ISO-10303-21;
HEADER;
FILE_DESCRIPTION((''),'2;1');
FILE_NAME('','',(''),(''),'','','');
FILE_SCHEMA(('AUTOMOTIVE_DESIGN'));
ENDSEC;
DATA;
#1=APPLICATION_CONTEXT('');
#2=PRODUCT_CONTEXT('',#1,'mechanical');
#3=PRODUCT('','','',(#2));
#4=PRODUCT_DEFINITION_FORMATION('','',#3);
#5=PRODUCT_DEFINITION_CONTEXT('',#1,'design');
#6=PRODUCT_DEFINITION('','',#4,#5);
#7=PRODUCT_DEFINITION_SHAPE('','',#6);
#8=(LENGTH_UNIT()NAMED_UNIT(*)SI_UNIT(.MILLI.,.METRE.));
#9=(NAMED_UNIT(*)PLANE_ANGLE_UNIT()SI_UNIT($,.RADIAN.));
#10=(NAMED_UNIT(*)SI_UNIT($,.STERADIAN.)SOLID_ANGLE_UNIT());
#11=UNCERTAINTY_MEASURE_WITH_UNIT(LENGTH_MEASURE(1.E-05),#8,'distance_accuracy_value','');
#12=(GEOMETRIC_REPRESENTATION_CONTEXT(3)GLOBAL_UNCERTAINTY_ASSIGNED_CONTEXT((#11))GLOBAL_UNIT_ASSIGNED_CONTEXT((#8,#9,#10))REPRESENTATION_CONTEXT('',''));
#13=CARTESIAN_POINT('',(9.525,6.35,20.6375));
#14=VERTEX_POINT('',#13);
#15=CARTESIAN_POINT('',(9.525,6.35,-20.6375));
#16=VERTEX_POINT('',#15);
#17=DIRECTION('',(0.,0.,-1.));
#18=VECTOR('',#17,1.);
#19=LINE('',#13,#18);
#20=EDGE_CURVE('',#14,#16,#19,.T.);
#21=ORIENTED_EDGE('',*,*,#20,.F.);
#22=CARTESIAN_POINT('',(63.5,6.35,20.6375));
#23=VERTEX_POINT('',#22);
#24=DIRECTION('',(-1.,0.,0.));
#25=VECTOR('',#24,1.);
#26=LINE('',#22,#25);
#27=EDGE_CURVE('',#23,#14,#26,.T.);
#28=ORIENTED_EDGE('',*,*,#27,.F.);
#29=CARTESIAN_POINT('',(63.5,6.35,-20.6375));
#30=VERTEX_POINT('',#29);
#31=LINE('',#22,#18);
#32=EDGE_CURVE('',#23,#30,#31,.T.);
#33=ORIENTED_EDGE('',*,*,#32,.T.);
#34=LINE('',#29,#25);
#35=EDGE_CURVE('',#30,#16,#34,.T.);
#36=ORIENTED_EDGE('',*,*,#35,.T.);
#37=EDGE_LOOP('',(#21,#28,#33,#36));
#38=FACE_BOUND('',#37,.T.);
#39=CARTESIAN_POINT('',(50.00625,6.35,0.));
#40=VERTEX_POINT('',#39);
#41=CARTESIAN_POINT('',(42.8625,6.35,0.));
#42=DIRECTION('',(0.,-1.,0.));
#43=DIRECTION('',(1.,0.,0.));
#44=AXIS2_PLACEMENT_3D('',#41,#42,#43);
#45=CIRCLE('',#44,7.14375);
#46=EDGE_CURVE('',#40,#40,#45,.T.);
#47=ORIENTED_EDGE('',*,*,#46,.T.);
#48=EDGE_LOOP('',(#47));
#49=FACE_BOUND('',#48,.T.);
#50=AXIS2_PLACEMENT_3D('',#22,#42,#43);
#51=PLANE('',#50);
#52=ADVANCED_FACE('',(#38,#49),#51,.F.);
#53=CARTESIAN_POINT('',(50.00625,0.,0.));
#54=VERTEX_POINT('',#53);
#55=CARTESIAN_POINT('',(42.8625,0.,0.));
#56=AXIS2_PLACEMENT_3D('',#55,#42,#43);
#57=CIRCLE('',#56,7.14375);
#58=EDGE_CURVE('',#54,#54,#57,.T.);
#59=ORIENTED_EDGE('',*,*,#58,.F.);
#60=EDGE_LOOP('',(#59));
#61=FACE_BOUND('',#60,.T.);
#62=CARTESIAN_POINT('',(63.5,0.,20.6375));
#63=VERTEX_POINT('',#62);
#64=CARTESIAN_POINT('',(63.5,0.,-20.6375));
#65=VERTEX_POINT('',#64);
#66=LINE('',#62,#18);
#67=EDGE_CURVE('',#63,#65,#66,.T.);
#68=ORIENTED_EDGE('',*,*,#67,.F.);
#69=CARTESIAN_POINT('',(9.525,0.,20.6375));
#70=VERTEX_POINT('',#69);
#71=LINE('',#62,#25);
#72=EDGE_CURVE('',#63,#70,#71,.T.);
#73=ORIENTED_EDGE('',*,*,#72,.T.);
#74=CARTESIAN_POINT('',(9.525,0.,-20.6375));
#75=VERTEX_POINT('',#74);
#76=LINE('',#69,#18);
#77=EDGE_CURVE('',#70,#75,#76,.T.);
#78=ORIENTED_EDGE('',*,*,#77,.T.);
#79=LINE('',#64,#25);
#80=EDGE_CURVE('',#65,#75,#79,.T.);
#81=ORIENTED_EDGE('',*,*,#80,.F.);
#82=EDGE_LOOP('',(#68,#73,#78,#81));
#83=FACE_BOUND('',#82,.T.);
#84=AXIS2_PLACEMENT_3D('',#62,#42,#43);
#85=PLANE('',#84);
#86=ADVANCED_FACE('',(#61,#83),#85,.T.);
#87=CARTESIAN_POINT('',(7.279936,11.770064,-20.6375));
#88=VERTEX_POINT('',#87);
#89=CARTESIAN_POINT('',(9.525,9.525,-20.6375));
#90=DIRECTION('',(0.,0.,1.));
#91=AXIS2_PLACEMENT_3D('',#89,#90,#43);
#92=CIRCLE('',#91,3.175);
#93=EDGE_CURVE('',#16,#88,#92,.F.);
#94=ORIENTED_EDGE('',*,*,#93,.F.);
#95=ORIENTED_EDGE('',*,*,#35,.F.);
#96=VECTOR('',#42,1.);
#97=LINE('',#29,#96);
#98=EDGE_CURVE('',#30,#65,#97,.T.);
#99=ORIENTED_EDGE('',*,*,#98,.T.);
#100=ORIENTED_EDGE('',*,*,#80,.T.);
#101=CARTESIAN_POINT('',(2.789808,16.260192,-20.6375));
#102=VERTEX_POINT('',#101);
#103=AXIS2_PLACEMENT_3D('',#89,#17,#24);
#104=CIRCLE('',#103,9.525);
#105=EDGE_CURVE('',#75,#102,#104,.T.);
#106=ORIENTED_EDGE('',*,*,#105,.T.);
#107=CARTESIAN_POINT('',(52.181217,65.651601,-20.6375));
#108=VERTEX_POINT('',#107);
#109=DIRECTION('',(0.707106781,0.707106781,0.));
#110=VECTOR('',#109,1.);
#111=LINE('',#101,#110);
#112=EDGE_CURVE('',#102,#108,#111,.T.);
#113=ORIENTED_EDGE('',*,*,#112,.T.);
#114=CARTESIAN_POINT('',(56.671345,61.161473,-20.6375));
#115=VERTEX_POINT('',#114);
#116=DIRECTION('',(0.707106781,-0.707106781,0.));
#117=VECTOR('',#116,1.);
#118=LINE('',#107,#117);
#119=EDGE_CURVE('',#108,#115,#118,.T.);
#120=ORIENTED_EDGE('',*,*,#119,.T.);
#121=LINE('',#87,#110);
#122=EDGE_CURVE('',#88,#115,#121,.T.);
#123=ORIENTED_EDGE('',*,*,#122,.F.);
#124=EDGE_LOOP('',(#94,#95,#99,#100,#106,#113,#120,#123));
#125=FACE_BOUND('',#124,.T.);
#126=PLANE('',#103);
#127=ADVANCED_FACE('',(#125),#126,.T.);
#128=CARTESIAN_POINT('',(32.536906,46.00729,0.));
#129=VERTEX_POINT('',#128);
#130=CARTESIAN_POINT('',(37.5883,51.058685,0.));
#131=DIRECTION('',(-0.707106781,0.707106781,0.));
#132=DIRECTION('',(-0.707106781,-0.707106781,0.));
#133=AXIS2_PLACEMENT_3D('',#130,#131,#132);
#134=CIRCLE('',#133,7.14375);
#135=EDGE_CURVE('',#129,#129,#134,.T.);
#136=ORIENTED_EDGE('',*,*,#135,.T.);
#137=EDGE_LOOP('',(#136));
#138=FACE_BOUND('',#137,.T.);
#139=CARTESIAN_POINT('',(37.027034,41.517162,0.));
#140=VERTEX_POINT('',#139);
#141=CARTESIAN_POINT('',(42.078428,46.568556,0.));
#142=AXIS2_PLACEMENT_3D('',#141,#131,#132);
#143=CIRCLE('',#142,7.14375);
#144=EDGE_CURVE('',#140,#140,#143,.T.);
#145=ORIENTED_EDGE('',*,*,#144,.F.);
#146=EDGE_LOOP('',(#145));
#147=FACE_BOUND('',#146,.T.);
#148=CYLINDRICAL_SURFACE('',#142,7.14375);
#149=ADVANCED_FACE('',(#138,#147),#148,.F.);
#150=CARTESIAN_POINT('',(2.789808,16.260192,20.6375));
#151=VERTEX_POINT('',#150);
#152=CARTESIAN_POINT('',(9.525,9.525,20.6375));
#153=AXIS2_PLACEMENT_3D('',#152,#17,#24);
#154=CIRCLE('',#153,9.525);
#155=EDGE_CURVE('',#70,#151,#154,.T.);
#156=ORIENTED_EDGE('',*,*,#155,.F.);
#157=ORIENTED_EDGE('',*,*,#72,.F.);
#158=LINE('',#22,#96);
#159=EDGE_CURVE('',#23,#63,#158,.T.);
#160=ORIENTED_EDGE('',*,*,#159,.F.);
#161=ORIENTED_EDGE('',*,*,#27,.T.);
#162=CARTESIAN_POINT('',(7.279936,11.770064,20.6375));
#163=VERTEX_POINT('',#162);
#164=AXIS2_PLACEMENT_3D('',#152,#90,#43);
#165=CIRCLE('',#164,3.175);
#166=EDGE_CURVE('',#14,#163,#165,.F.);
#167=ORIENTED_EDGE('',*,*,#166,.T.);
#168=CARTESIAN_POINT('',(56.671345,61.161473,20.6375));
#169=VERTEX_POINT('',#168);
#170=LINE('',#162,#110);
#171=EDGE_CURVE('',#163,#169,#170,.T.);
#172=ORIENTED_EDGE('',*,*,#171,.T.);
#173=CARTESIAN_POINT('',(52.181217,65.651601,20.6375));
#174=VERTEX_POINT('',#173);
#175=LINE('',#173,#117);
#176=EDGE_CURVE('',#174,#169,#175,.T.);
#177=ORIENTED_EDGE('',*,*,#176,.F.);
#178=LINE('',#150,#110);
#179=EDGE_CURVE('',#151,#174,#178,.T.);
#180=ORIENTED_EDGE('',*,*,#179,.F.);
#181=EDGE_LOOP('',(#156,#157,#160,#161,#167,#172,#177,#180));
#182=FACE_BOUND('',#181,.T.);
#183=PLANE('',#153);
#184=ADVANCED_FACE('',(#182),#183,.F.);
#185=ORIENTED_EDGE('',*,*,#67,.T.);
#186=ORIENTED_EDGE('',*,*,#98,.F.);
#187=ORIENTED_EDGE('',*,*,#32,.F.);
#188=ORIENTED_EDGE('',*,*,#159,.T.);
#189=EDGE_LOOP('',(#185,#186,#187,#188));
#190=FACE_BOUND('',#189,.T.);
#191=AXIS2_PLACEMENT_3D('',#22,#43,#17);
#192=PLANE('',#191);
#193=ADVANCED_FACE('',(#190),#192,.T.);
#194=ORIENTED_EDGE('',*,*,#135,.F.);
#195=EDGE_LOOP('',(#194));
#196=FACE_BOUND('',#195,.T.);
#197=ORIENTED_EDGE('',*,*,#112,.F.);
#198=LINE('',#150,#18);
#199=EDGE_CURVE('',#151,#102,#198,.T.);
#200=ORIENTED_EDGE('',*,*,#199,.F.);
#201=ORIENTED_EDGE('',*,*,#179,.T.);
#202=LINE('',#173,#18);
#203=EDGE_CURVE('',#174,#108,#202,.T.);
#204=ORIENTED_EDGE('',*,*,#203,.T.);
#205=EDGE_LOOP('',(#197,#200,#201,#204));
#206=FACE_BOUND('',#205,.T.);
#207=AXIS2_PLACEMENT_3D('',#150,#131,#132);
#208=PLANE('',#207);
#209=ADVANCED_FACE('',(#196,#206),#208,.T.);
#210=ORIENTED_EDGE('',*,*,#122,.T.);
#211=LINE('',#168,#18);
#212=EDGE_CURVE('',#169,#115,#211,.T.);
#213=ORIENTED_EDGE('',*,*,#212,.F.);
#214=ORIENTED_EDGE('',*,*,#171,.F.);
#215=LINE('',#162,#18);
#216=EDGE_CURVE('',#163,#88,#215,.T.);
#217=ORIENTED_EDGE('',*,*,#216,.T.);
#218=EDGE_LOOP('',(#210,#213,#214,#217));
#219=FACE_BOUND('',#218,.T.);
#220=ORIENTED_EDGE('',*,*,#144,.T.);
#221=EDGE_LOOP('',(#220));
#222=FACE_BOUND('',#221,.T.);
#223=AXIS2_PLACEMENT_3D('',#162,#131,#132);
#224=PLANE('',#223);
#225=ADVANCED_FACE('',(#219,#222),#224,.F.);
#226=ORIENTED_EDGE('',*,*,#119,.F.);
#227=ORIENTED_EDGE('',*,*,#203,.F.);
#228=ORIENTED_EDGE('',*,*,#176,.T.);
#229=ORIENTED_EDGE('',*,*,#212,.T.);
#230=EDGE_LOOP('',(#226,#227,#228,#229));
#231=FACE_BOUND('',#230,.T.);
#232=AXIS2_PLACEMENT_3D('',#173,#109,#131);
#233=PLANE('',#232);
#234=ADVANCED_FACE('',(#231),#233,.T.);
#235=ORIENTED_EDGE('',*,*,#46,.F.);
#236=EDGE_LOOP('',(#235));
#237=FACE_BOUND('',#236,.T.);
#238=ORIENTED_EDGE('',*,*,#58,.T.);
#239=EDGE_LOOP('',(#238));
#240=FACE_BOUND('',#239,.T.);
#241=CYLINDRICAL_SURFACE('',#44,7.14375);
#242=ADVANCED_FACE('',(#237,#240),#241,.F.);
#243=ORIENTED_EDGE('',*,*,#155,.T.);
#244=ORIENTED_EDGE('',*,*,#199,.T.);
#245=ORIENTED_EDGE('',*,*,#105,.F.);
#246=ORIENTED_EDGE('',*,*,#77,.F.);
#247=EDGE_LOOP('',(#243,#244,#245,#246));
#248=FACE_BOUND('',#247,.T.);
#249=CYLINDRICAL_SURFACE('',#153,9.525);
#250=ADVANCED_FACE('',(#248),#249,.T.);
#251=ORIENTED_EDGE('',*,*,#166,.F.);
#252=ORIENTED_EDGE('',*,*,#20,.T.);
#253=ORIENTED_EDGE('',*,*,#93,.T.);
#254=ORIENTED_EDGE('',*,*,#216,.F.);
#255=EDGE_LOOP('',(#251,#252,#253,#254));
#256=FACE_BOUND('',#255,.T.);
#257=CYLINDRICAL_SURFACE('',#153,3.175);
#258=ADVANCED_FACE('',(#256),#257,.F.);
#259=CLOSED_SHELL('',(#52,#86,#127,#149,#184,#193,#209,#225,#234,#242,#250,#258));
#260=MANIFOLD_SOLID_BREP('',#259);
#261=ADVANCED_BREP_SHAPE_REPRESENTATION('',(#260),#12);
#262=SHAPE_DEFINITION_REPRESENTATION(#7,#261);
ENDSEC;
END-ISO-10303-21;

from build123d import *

# Parameters (mm, degrees)
EXTRUDE_THIN1_DEPTH = 20.6375
SKETCH2_R           = 7.14375
CUT_EXTRUDE1_DEPTH  = 6.35
SKETCH3_R           = 7.14375
CUT_EXTRUDE2_DEPTH  = 6.35


with BuildPart() as part:
    # Sketch1 → Extrude-Thin1 (new, symmetric)
    with BuildSketch(Plane.XY):
        with BuildLine():
            Line((63.5, 0), (9.525, 0))
            ThreePointArc((9.525, 0), (0.725047453, 5.879940307), (2.789807909, 16.260192091))
            Line((2.789807909, 16.260192091), (52.181216575, 65.651600757))
            Line((52.181216575, 65.651600757), (56.671344636, 61.161472696))
            Line((56.671344636, 61.161472696), (7.27993597, 11.77006403))
            ThreePointArc((7.27993597, 11.77006403), (6.591682484, 8.309980102), (9.525, 6.35))
            Line((9.525, 6.35), (63.5, 6.35))
            Line((63.5, 6.35), (63.5, 0))
        make_face()
    extrude(amount=EXTRUDE_THIN1_DEPTH, both=True)

    # Sketch2 → Cut-Extrude1 (cut)
    with BuildSketch(Plane.XZ):
        with Locations((42.8625, 0)):
            Circle(SKETCH2_R)
    extrude(amount=-CUT_EXTRUDE1_DEPTH, mode=Mode.SUBTRACT)

    # Sketch3 → Cut-Extrude2 (cut)
    with BuildSketch(Plane(origin=(-6.735192091, 6.735192091, 0), x_dir=(0, 0, 1), z_dir=(-0.7071067811865439, 0.7071067811865511, 0))):
        with Locations(Location((0, 62.682884182, 0), (0, 0, 270))):
            Circle(SKETCH3_R)
    extrude(amount=-CUT_EXTRUDE2_DEPTH, mode=Mode.SUBTRACT)


solid = part.part
